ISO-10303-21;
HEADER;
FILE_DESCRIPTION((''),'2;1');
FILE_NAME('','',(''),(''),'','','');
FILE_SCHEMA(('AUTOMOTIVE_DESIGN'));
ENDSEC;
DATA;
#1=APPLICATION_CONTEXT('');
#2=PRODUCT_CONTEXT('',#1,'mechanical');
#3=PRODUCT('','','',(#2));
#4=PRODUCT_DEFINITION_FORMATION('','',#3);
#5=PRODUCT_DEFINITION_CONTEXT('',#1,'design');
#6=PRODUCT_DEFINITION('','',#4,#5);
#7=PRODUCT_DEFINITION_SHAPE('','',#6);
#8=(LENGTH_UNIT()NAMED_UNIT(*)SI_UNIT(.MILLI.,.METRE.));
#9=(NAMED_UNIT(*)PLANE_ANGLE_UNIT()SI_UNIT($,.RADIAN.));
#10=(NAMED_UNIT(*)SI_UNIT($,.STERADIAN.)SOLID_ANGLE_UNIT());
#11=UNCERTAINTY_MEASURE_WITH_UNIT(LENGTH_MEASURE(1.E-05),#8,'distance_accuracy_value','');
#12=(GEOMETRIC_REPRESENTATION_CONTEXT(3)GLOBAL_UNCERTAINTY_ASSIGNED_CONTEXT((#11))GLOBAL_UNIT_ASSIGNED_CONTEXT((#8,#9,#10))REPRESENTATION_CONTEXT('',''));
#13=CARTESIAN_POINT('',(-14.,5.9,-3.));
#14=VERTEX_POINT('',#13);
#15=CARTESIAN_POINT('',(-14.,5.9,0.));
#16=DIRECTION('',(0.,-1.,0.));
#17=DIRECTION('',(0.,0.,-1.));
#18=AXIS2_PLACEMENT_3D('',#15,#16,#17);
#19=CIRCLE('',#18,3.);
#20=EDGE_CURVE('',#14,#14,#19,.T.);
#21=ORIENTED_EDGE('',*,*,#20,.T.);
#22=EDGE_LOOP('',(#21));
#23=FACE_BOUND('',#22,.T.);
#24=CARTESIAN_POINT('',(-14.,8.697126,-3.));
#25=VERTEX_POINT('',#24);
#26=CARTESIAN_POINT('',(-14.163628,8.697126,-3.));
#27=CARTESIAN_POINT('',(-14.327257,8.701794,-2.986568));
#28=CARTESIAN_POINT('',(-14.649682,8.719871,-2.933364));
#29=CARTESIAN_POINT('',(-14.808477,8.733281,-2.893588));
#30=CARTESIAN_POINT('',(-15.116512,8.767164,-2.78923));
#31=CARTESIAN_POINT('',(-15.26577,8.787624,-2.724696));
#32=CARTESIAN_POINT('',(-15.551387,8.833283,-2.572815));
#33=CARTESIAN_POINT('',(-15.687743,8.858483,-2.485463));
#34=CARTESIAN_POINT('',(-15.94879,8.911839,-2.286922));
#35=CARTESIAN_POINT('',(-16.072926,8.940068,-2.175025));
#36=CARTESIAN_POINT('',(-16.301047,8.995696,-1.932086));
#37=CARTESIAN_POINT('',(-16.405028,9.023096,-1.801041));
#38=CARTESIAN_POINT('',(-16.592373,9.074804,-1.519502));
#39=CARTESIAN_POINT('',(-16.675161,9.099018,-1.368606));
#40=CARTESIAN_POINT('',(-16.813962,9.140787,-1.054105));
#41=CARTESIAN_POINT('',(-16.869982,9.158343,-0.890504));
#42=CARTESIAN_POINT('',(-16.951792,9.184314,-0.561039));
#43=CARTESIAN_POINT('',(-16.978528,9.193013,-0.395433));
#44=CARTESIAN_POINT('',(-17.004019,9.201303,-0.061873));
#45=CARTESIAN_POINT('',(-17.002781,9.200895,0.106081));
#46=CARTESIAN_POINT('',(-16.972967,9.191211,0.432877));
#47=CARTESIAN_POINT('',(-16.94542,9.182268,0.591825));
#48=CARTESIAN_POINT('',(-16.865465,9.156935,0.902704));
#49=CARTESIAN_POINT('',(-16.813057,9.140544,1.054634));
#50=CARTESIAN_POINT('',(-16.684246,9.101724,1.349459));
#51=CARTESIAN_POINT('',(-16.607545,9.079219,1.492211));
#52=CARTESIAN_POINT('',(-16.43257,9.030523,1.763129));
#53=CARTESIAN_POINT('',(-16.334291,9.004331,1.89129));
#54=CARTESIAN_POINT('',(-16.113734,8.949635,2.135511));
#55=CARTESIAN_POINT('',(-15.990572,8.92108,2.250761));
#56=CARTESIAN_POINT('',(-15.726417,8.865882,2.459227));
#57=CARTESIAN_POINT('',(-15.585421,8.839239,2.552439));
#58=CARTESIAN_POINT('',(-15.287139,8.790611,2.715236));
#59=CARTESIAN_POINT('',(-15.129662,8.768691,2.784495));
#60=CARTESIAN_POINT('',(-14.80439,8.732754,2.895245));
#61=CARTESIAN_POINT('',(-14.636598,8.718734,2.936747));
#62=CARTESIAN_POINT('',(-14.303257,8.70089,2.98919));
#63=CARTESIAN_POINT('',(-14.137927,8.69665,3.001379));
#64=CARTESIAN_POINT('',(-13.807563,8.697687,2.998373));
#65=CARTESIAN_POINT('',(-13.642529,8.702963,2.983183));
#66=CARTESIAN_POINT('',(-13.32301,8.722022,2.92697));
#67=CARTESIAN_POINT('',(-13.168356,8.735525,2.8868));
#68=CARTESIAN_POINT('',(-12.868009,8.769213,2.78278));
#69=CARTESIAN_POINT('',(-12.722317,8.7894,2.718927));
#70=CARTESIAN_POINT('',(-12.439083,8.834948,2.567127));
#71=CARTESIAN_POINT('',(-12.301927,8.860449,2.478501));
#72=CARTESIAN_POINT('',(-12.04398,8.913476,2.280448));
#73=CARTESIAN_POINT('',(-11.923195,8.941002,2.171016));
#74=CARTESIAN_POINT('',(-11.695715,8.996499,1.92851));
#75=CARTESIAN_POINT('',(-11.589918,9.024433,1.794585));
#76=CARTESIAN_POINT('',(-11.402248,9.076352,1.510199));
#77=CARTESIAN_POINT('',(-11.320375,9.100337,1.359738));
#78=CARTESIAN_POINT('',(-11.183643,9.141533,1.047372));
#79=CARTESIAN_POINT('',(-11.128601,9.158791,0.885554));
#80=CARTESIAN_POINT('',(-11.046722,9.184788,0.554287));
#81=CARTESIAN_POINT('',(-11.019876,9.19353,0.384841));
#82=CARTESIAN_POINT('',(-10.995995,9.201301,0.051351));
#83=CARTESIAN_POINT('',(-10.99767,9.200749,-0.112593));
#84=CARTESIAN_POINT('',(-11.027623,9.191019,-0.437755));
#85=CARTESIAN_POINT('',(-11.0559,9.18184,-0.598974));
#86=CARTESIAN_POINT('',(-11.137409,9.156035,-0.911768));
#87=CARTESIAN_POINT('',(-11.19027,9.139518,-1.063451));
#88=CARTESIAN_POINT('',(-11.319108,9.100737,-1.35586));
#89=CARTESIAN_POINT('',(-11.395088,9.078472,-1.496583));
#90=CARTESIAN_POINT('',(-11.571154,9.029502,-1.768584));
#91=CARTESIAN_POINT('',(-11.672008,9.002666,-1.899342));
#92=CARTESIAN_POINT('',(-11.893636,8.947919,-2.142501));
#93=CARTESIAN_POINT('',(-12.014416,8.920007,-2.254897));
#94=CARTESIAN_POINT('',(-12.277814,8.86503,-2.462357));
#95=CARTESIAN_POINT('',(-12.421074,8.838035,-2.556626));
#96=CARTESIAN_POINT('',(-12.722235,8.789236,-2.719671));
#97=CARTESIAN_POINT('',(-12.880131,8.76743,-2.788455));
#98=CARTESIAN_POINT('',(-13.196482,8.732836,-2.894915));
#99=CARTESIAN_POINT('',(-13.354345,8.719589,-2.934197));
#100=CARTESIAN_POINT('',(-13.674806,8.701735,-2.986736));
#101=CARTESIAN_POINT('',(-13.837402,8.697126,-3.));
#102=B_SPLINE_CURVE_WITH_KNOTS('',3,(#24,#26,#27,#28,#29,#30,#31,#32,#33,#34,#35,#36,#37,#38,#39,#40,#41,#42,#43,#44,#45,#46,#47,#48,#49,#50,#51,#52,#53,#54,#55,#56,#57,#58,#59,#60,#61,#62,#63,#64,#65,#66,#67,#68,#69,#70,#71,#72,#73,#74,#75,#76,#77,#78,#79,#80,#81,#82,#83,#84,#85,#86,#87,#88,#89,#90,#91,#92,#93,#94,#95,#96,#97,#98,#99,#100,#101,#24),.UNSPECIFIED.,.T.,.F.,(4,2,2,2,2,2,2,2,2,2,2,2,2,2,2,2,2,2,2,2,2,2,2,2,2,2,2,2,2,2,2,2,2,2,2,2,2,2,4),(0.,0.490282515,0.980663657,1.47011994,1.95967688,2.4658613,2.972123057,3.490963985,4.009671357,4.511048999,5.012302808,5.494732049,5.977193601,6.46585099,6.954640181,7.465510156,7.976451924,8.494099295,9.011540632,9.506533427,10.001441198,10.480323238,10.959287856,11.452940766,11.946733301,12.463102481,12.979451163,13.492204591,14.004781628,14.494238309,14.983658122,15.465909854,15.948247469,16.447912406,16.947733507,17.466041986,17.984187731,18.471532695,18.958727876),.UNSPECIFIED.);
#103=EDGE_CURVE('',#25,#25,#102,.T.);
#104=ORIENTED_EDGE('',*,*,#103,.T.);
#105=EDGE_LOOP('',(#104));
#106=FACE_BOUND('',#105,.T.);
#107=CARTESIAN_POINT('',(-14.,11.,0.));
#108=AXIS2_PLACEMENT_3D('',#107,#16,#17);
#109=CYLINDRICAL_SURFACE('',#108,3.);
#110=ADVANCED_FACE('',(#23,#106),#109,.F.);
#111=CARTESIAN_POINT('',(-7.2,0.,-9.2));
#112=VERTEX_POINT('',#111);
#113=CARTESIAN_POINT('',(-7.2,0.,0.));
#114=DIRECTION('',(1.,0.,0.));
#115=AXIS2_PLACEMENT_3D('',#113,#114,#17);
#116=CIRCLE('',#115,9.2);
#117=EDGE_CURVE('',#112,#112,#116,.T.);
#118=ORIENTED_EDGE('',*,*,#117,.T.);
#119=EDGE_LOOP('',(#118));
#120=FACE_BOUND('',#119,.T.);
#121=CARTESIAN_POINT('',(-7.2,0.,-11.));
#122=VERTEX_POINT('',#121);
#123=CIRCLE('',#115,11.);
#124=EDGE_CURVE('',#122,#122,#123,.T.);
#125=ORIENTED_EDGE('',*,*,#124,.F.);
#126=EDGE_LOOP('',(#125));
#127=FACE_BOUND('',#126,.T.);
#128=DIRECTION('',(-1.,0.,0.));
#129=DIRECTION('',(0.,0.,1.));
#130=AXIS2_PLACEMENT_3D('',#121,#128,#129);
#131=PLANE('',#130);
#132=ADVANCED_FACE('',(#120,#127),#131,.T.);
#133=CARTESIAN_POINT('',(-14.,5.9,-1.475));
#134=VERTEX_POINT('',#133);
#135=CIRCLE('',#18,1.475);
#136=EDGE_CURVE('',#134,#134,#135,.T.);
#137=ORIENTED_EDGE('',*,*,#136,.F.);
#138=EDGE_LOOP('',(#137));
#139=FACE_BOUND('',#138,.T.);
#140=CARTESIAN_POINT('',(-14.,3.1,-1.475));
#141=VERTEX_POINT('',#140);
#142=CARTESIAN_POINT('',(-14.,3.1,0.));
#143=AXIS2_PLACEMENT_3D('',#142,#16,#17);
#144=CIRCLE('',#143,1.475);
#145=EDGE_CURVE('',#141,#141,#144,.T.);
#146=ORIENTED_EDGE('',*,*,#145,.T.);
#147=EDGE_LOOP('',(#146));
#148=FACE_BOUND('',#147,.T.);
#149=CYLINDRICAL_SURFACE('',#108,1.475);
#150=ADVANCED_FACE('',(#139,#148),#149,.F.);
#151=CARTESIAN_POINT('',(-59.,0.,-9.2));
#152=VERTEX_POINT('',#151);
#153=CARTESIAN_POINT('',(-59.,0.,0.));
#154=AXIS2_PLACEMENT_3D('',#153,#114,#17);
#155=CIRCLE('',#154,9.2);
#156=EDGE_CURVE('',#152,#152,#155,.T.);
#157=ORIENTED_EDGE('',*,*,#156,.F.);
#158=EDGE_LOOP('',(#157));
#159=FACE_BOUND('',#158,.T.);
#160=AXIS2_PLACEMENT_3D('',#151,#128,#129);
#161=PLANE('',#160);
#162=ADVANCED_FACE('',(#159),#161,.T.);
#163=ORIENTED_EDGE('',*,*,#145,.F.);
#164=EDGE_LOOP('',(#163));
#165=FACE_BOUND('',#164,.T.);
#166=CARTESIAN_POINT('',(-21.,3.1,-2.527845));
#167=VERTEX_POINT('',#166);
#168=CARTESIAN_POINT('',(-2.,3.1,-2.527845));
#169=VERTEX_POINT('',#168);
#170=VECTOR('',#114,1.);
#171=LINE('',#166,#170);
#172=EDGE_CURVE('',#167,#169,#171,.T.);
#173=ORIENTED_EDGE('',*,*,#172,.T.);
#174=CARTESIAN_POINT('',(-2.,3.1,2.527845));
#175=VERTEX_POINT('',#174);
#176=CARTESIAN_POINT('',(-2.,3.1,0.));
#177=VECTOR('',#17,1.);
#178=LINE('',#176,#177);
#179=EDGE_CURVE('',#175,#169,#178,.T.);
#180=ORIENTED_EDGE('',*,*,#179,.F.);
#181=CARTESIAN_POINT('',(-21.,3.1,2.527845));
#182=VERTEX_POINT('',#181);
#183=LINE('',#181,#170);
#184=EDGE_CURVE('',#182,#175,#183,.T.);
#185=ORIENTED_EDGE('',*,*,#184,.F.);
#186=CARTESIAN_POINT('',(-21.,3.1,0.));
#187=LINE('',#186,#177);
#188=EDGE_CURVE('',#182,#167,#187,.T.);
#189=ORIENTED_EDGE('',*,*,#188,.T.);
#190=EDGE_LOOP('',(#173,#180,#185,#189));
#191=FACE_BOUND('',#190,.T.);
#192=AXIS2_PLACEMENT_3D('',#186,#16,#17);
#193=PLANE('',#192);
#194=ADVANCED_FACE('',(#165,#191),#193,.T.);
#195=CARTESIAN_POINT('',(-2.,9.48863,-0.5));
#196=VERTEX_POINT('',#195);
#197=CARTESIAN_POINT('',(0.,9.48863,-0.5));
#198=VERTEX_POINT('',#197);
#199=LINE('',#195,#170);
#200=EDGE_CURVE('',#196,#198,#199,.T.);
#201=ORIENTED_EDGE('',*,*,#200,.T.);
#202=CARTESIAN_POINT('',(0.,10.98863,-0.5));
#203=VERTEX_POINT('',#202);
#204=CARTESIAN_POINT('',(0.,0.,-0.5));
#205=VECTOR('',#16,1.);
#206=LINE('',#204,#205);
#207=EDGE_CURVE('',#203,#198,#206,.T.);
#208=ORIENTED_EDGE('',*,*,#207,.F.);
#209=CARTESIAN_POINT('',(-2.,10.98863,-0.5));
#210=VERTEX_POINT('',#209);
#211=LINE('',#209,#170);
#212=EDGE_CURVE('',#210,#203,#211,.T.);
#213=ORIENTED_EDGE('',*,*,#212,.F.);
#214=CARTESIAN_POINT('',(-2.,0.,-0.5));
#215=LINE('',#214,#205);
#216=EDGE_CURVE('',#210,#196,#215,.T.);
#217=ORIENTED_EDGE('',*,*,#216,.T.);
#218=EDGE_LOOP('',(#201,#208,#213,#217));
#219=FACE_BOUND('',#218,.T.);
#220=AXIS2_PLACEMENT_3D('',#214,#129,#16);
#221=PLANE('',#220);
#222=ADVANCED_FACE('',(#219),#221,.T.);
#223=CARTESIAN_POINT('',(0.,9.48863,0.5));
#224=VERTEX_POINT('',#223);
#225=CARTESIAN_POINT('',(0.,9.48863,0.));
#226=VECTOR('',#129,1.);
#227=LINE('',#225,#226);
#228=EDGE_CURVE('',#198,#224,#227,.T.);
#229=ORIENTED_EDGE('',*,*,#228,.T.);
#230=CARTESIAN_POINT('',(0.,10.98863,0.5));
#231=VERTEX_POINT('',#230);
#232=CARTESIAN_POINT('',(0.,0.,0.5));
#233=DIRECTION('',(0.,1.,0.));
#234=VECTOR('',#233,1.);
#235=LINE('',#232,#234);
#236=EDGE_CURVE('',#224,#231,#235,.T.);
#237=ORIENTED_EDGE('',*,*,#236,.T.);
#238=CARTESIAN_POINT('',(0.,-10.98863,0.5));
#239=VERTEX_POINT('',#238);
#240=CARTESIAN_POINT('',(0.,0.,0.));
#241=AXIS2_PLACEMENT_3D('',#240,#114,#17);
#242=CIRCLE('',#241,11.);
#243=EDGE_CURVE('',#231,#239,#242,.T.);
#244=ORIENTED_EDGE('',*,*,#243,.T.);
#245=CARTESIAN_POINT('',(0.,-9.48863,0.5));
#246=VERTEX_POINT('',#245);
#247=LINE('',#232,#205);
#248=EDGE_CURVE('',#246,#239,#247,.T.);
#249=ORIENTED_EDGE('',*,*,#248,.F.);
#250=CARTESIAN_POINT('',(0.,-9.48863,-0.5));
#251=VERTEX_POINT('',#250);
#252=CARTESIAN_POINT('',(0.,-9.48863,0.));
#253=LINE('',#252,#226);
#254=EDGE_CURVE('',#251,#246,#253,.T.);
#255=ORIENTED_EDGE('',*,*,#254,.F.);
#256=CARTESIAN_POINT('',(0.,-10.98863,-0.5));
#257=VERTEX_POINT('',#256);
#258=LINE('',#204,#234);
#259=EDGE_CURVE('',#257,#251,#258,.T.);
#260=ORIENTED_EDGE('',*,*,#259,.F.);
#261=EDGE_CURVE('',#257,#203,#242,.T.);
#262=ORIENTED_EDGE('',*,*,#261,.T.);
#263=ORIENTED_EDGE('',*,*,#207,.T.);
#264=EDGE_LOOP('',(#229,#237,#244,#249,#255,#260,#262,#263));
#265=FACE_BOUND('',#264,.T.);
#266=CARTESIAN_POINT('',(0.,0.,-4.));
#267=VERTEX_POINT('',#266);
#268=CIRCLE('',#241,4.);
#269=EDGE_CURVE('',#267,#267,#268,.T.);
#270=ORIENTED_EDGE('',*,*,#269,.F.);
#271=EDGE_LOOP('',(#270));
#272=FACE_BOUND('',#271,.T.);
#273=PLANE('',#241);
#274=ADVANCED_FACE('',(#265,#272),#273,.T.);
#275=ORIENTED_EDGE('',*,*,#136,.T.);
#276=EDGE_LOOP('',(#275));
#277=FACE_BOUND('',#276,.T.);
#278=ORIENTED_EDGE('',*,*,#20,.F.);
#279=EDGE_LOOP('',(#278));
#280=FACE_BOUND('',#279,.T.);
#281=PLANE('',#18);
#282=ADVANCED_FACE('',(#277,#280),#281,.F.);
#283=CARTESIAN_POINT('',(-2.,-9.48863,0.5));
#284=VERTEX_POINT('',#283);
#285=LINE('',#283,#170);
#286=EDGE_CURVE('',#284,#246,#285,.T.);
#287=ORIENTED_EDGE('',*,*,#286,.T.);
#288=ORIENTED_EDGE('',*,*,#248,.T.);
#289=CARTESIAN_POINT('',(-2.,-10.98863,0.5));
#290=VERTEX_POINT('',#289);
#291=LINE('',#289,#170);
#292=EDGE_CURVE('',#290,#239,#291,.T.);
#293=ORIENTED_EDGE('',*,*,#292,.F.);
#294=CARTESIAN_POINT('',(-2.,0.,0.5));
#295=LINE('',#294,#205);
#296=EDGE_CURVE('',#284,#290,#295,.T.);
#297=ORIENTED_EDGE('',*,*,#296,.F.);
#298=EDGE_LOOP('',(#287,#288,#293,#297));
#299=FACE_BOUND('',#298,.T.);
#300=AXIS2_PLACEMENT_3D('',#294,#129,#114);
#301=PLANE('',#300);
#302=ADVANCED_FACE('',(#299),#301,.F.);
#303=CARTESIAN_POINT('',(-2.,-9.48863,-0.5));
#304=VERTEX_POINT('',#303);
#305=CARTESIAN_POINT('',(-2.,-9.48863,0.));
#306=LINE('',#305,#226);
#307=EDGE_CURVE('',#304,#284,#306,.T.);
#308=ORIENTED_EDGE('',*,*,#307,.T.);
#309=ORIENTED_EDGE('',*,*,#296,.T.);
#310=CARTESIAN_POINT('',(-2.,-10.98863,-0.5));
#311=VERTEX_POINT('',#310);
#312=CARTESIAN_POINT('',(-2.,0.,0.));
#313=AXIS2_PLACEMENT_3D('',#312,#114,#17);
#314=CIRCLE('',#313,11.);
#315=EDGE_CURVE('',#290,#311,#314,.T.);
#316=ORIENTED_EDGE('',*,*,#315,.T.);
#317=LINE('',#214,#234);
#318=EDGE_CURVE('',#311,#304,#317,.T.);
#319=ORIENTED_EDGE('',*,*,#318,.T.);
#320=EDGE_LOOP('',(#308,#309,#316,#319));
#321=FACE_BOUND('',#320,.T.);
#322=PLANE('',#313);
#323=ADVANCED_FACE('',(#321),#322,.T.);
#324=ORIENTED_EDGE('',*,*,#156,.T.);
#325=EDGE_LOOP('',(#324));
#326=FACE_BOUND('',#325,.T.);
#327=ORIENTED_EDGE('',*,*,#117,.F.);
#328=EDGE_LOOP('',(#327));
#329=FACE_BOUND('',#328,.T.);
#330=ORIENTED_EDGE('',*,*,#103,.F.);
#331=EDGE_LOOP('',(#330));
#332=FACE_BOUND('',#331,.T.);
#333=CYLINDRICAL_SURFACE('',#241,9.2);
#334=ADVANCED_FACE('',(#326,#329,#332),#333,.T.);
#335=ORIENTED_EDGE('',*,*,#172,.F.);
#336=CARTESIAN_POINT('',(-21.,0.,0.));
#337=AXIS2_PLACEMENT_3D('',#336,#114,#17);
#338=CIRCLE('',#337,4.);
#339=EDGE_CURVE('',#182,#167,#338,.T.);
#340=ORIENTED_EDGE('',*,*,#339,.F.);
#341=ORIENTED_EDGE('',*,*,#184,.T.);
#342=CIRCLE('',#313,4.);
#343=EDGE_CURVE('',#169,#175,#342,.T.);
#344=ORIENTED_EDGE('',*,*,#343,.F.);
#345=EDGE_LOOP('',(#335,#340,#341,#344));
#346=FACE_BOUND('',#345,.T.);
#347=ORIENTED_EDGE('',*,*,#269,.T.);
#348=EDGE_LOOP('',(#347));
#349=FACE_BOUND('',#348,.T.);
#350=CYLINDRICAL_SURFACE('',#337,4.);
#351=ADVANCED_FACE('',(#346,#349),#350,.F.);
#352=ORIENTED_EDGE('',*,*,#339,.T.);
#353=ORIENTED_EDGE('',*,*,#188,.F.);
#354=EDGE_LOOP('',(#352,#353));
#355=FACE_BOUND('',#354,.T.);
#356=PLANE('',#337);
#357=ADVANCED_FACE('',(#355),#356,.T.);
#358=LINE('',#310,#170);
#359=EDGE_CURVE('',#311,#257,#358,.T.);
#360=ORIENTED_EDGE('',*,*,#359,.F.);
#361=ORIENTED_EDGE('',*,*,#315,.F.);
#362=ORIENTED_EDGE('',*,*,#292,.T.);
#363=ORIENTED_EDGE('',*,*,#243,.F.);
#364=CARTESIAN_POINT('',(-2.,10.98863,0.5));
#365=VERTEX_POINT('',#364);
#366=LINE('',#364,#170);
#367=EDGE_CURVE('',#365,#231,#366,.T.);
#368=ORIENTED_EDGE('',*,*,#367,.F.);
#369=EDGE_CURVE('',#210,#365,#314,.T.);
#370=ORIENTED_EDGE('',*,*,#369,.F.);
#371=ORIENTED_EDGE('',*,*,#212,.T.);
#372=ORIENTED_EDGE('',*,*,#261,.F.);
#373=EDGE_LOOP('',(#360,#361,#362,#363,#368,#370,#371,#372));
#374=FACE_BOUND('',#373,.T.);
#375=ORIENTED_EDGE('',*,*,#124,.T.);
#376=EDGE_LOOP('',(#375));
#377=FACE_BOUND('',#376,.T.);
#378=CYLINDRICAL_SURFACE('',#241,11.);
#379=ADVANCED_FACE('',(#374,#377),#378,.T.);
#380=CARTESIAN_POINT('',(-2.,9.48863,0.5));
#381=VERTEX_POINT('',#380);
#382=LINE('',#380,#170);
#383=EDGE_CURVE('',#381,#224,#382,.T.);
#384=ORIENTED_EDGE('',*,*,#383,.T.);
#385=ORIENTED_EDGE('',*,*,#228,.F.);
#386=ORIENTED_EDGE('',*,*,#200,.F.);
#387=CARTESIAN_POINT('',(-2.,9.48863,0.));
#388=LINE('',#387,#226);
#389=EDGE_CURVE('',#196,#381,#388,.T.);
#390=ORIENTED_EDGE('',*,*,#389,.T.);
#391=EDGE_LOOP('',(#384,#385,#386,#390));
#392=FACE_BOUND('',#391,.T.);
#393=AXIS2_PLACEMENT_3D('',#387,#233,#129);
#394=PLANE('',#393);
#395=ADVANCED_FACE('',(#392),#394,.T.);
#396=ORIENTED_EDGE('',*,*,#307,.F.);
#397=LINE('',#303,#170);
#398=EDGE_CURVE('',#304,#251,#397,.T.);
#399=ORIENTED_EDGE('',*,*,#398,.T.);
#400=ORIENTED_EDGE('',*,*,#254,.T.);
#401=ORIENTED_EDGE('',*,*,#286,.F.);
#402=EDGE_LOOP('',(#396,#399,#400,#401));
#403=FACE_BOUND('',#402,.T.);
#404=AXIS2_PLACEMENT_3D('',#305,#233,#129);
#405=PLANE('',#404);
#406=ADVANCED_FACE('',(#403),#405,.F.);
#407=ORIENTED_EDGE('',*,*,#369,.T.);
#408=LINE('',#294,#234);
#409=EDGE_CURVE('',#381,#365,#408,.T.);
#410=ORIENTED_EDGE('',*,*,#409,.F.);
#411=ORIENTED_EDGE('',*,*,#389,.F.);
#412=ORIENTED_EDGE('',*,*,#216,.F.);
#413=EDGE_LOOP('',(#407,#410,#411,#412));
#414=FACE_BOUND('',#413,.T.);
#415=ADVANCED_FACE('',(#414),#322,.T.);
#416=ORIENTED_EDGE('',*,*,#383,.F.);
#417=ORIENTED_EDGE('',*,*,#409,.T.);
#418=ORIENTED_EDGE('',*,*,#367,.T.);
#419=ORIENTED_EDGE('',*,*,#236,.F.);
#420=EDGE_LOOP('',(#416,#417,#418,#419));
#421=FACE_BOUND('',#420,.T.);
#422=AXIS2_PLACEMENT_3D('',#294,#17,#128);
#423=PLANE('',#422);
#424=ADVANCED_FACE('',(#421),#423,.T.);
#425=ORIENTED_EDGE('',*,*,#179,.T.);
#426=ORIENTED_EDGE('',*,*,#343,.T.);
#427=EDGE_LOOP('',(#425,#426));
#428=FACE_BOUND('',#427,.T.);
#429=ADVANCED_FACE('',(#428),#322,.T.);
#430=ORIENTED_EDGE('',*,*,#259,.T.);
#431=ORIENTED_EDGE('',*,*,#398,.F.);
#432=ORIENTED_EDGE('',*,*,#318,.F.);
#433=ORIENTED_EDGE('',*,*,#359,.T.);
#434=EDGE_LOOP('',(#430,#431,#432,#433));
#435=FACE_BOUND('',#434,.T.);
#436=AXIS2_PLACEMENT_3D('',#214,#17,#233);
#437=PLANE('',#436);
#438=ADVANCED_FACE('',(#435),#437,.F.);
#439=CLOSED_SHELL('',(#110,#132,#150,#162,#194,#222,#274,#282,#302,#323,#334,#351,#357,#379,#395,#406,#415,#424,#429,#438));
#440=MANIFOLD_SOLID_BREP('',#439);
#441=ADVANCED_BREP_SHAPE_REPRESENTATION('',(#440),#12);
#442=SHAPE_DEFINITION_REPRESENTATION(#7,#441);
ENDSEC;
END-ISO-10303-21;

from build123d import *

# Parameters (mm, degrees)
CUT_EXTRUDE1_DEPTH = 21
CUT_EXTRUDE2_DEPTH = 2
SKETCH3_R          = 1.475
CUT_EXTRUDE3_DEPTH = 62.650709647
CUT_EXTRUDE4_START = -2.8
SKETCH3_4_R        = 3
SKETCH3_4_R_2      = 1.475
CUT_EXTRUDE4_DEPTH = 59.850709743
CUT_EXTRUDE5_START = -2
CUT_EXTRUDE5_DEPTH = 2


with BuildPart() as part:
    # Sketch1 → Revolve1 (revolve)
    with BuildSketch(Plane(origin=(0, 0, 0), x_dir=(1, 0, 0), z_dir=(0, 1, 0))):
        Polygon((0, 0), (0, 11), (-7.2, 11), (-7.2, 9.2), (-59, 9.2), (-59, 0), align=None)
    revolve(axis=Axis((0, 0, 0), (-1, 0, 0)))

    # Sketch2 → Cut-Extrude1 (cut)
    with BuildSketch(Plane(origin=(0, 0, 0), x_dir=(0, 0, -1), z_dir=(1, 0, 0))):
        with BuildLine():
            Line((2.527844932, 3.1), (-2.527844932, 3.1))
            ThreePointArc((-2.527844932, 3.1), (-1.715899221, -3.613265817), (4, 0))
            ThreePointArc((4, 0), (3.613265817, 1.715899221), (2.527844932, 3.1))
        make_face()
    extrude(amount=-CUT_EXTRUDE1_DEPTH, mode=Mode.SUBTRACT)

    # Sketch2<4> → Cut-Extrude2 (cut)
    with BuildSketch(Plane(origin=(0, 0, 0), x_dir=(0, 0, -1), z_dir=(1, 0, 0))):
        with BuildLine():
            ThreePointArc((2.527844932, 3.1), (0, 4), (-2.527844932, 3.1))
            Line((-2.527844932, 3.1), (2.527844932, 3.1))
        make_face()
    extrude(amount=-CUT_EXTRUDE2_DEPTH, mode=Mode.SUBTRACT)

    # Sketch3 → Cut-Extrude3 (cut, through all)
    with BuildSketch(Plane.XZ.offset(-3.1)):
        with Locations((-14, 0)):
            Circle(SKETCH3_R)
    extrude(amount=-CUT_EXTRUDE3_DEPTH, mode=Mode.SUBTRACT)

    # Sketch3<4> → Cut-Extrude4 (cut, through all)
    with BuildSketch(Plane.XZ.offset(-3.1).offset(CUT_EXTRUDE4_START)):
        with Locations((-14, 0)):
            Circle(SKETCH3_4_R)
        with Locations((-14, 0)):
            Circle(SKETCH3_4_R_2, mode=Mode.SUBTRACT)
    extrude(amount=-CUT_EXTRUDE4_DEPTH, mode=Mode.SUBTRACT)

    # Sketch2<6> → Cut-Extrude5 (cut)
    with BuildSketch(Plane(origin=(0, 0, 0), x_dir=(0, 0, -1), z_dir=(1, 0, 0)).offset(CUT_EXTRUDE5_START)):
        with BuildLine():
            Line((0.5, 9.488630488), (0.5, 10.988630488))
            ThreePointArc((0.5, 10.988630488), (0, 11), (-0.5, 10.988630488))
            Line((-0.5, 10.988630488), (-0.5, 9.488630488))
            Line((-0.5, 9.488630488), (0.5, 9.488630488))
        make_face()
        with BuildLine():
            ThreePointArc((-0.5, -10.988630488), (0, -11), (0.5, -10.988630488))
            Line((0.5, -10.988630488), (0.5, -9.488630488))
            Line((0.5, -9.488630488), (-0.5, -9.488630488))
            Line((-0.5, -9.488630488), (-0.5, -10.988630488))
        make_face()
    extrude(amount=CUT_EXTRUDE5_DEPTH, mode=Mode.SUBTRACT)


solid = part.part
